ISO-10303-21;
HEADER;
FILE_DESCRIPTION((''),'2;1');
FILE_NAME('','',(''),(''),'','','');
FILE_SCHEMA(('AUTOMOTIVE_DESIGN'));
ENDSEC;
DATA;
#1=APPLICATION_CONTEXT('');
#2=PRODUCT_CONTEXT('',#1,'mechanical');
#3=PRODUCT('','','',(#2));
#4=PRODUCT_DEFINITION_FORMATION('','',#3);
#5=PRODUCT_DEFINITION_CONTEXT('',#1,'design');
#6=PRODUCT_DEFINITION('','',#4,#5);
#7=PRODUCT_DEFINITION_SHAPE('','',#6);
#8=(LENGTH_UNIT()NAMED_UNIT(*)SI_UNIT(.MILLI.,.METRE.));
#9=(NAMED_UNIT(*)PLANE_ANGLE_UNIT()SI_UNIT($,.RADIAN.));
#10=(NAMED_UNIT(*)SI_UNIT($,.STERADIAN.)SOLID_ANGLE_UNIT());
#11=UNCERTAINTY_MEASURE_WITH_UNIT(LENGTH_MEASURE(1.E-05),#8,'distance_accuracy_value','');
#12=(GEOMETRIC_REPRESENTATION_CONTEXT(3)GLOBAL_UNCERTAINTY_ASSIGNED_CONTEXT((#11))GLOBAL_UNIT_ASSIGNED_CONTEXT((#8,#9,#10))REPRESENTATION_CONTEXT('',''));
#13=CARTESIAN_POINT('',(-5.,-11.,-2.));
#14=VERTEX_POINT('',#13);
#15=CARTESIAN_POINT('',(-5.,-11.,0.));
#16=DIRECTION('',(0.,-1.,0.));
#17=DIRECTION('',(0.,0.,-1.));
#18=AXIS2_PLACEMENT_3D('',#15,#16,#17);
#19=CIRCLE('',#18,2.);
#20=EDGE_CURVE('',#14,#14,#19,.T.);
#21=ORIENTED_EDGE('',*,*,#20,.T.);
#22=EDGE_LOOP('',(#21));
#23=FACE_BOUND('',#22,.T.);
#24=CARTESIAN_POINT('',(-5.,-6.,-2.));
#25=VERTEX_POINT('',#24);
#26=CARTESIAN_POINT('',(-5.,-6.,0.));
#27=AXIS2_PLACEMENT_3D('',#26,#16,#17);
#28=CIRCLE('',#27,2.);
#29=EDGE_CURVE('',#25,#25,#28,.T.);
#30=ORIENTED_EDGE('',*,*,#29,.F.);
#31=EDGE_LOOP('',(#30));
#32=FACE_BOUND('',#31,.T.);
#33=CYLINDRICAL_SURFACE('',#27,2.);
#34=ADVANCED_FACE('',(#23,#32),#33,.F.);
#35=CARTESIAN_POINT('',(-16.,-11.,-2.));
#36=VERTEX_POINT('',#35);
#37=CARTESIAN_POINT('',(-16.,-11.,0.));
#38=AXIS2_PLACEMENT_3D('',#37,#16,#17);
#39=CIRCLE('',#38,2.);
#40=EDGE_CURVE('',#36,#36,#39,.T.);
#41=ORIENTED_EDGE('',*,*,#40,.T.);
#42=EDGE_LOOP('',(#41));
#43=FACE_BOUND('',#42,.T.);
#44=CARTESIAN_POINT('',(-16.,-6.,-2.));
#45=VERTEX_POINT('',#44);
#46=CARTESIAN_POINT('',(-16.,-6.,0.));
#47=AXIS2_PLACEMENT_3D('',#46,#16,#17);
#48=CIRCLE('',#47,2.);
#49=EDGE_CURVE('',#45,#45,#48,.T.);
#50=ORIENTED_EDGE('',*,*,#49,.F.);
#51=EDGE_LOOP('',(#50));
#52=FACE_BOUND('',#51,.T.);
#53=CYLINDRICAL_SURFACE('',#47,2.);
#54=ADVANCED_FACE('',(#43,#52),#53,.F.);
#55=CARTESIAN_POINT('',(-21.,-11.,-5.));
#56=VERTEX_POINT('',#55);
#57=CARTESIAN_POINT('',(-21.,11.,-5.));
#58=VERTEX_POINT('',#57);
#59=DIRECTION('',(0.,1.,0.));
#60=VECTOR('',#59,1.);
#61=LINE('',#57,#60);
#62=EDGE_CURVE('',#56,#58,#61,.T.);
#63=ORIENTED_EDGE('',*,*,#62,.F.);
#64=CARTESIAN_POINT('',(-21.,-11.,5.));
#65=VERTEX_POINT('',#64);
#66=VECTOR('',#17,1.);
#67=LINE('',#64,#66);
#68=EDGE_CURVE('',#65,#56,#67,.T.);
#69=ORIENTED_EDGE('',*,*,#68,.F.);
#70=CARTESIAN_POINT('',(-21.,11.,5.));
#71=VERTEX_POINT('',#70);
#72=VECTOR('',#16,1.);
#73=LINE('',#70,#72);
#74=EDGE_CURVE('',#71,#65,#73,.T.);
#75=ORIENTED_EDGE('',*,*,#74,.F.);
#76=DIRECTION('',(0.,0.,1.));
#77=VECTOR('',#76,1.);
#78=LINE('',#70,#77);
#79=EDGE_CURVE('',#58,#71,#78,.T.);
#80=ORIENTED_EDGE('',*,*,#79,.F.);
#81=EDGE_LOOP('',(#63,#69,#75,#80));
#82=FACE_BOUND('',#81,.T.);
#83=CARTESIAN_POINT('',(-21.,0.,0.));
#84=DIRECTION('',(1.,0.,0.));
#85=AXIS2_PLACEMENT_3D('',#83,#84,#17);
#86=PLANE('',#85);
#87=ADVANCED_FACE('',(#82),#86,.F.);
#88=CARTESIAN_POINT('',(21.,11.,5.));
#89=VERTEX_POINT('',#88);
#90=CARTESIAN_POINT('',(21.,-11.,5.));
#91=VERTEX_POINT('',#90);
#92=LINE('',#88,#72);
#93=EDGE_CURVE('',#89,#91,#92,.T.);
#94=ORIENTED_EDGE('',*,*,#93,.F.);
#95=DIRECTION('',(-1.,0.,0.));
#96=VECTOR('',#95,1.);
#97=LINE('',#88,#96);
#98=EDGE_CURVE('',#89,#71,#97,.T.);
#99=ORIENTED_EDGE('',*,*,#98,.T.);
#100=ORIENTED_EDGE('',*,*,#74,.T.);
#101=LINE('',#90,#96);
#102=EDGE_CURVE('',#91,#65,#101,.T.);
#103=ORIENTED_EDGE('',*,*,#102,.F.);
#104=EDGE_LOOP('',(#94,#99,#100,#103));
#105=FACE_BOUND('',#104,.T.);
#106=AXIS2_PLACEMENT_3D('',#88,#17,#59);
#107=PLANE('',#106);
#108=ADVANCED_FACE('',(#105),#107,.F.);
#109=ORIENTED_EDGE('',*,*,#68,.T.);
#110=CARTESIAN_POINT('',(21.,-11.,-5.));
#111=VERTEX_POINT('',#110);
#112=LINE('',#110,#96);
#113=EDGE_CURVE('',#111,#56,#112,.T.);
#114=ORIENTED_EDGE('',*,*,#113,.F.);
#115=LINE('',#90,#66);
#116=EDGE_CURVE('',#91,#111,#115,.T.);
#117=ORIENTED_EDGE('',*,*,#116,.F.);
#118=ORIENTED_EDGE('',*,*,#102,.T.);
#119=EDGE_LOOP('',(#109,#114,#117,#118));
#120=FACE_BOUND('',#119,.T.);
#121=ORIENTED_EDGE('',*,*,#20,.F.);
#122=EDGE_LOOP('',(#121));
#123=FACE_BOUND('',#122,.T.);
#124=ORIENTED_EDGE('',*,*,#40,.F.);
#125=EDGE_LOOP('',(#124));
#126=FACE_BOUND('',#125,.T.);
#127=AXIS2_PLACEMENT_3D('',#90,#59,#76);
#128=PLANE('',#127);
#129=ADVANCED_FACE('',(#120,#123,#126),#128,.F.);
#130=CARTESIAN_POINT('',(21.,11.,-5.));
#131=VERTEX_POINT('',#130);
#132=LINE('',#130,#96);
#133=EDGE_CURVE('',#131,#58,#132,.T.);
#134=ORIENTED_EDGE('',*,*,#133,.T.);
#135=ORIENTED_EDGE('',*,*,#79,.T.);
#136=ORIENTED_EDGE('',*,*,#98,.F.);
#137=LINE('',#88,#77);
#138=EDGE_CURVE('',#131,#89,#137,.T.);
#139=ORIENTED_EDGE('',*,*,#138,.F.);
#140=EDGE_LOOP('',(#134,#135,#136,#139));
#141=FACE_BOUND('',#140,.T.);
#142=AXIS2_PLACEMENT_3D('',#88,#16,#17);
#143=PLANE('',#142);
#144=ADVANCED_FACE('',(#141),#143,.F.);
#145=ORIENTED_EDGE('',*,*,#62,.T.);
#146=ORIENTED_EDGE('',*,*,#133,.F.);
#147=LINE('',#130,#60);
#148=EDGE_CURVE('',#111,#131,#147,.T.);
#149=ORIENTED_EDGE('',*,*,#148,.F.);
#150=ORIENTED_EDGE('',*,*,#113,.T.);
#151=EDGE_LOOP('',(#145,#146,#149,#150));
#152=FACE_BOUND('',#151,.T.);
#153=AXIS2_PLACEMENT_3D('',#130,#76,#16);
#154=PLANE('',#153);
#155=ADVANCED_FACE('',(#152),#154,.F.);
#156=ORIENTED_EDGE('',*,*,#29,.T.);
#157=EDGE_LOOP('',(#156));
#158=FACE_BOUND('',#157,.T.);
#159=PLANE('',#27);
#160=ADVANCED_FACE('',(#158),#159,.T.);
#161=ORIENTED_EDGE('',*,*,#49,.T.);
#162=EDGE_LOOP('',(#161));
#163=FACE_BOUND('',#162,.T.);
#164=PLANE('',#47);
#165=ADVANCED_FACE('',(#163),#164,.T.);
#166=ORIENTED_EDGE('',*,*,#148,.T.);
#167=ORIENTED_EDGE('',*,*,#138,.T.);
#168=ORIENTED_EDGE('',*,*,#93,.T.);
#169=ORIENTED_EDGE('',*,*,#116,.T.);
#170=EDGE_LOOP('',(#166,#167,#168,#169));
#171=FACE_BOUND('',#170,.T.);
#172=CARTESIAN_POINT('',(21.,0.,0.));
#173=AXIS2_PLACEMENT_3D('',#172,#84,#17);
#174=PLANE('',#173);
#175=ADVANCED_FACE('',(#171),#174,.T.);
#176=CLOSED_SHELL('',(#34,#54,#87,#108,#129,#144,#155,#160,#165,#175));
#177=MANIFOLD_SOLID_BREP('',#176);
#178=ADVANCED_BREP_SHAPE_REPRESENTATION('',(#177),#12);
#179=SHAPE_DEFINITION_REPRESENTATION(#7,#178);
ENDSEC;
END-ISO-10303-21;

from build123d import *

# Parameters (mm, degrees)
SKETCH2_W           = 10
SKETCH2_H           = 22
BOSS_EXTRUDE1_DEPTH = 21
SKETCH3_R           = 2
CUT_EXTRUDE1_DEPTH  = 5


with BuildPart() as part:
    # Sketch2 → Boss-Extrude1 (new, symmetric)
    with BuildSketch(Plane(origin=(0, 0, 0), x_dir=(0, 0, -1), z_dir=(1, 0, 0))):
        Rectangle(SKETCH2_W, SKETCH2_H)
    extrude(amount=BOSS_EXTRUDE1_DEPTH, both=True)

    # Sketch3 → Cut-Extrude1 (cut)
    with BuildSketch(Plane.XZ.offset(11)):
        with Locations(Location((-16, 0, 0), (0, 0, 270))):
            Circle(SKETCH3_R)
        with Locations(Location((-5, 0, 0), (0, 0, 270))):
            Circle(SKETCH3_R)
    extrude(amount=-CUT_EXTRUDE1_DEPTH, mode=Mode.SUBTRACT)


solid = part.part
